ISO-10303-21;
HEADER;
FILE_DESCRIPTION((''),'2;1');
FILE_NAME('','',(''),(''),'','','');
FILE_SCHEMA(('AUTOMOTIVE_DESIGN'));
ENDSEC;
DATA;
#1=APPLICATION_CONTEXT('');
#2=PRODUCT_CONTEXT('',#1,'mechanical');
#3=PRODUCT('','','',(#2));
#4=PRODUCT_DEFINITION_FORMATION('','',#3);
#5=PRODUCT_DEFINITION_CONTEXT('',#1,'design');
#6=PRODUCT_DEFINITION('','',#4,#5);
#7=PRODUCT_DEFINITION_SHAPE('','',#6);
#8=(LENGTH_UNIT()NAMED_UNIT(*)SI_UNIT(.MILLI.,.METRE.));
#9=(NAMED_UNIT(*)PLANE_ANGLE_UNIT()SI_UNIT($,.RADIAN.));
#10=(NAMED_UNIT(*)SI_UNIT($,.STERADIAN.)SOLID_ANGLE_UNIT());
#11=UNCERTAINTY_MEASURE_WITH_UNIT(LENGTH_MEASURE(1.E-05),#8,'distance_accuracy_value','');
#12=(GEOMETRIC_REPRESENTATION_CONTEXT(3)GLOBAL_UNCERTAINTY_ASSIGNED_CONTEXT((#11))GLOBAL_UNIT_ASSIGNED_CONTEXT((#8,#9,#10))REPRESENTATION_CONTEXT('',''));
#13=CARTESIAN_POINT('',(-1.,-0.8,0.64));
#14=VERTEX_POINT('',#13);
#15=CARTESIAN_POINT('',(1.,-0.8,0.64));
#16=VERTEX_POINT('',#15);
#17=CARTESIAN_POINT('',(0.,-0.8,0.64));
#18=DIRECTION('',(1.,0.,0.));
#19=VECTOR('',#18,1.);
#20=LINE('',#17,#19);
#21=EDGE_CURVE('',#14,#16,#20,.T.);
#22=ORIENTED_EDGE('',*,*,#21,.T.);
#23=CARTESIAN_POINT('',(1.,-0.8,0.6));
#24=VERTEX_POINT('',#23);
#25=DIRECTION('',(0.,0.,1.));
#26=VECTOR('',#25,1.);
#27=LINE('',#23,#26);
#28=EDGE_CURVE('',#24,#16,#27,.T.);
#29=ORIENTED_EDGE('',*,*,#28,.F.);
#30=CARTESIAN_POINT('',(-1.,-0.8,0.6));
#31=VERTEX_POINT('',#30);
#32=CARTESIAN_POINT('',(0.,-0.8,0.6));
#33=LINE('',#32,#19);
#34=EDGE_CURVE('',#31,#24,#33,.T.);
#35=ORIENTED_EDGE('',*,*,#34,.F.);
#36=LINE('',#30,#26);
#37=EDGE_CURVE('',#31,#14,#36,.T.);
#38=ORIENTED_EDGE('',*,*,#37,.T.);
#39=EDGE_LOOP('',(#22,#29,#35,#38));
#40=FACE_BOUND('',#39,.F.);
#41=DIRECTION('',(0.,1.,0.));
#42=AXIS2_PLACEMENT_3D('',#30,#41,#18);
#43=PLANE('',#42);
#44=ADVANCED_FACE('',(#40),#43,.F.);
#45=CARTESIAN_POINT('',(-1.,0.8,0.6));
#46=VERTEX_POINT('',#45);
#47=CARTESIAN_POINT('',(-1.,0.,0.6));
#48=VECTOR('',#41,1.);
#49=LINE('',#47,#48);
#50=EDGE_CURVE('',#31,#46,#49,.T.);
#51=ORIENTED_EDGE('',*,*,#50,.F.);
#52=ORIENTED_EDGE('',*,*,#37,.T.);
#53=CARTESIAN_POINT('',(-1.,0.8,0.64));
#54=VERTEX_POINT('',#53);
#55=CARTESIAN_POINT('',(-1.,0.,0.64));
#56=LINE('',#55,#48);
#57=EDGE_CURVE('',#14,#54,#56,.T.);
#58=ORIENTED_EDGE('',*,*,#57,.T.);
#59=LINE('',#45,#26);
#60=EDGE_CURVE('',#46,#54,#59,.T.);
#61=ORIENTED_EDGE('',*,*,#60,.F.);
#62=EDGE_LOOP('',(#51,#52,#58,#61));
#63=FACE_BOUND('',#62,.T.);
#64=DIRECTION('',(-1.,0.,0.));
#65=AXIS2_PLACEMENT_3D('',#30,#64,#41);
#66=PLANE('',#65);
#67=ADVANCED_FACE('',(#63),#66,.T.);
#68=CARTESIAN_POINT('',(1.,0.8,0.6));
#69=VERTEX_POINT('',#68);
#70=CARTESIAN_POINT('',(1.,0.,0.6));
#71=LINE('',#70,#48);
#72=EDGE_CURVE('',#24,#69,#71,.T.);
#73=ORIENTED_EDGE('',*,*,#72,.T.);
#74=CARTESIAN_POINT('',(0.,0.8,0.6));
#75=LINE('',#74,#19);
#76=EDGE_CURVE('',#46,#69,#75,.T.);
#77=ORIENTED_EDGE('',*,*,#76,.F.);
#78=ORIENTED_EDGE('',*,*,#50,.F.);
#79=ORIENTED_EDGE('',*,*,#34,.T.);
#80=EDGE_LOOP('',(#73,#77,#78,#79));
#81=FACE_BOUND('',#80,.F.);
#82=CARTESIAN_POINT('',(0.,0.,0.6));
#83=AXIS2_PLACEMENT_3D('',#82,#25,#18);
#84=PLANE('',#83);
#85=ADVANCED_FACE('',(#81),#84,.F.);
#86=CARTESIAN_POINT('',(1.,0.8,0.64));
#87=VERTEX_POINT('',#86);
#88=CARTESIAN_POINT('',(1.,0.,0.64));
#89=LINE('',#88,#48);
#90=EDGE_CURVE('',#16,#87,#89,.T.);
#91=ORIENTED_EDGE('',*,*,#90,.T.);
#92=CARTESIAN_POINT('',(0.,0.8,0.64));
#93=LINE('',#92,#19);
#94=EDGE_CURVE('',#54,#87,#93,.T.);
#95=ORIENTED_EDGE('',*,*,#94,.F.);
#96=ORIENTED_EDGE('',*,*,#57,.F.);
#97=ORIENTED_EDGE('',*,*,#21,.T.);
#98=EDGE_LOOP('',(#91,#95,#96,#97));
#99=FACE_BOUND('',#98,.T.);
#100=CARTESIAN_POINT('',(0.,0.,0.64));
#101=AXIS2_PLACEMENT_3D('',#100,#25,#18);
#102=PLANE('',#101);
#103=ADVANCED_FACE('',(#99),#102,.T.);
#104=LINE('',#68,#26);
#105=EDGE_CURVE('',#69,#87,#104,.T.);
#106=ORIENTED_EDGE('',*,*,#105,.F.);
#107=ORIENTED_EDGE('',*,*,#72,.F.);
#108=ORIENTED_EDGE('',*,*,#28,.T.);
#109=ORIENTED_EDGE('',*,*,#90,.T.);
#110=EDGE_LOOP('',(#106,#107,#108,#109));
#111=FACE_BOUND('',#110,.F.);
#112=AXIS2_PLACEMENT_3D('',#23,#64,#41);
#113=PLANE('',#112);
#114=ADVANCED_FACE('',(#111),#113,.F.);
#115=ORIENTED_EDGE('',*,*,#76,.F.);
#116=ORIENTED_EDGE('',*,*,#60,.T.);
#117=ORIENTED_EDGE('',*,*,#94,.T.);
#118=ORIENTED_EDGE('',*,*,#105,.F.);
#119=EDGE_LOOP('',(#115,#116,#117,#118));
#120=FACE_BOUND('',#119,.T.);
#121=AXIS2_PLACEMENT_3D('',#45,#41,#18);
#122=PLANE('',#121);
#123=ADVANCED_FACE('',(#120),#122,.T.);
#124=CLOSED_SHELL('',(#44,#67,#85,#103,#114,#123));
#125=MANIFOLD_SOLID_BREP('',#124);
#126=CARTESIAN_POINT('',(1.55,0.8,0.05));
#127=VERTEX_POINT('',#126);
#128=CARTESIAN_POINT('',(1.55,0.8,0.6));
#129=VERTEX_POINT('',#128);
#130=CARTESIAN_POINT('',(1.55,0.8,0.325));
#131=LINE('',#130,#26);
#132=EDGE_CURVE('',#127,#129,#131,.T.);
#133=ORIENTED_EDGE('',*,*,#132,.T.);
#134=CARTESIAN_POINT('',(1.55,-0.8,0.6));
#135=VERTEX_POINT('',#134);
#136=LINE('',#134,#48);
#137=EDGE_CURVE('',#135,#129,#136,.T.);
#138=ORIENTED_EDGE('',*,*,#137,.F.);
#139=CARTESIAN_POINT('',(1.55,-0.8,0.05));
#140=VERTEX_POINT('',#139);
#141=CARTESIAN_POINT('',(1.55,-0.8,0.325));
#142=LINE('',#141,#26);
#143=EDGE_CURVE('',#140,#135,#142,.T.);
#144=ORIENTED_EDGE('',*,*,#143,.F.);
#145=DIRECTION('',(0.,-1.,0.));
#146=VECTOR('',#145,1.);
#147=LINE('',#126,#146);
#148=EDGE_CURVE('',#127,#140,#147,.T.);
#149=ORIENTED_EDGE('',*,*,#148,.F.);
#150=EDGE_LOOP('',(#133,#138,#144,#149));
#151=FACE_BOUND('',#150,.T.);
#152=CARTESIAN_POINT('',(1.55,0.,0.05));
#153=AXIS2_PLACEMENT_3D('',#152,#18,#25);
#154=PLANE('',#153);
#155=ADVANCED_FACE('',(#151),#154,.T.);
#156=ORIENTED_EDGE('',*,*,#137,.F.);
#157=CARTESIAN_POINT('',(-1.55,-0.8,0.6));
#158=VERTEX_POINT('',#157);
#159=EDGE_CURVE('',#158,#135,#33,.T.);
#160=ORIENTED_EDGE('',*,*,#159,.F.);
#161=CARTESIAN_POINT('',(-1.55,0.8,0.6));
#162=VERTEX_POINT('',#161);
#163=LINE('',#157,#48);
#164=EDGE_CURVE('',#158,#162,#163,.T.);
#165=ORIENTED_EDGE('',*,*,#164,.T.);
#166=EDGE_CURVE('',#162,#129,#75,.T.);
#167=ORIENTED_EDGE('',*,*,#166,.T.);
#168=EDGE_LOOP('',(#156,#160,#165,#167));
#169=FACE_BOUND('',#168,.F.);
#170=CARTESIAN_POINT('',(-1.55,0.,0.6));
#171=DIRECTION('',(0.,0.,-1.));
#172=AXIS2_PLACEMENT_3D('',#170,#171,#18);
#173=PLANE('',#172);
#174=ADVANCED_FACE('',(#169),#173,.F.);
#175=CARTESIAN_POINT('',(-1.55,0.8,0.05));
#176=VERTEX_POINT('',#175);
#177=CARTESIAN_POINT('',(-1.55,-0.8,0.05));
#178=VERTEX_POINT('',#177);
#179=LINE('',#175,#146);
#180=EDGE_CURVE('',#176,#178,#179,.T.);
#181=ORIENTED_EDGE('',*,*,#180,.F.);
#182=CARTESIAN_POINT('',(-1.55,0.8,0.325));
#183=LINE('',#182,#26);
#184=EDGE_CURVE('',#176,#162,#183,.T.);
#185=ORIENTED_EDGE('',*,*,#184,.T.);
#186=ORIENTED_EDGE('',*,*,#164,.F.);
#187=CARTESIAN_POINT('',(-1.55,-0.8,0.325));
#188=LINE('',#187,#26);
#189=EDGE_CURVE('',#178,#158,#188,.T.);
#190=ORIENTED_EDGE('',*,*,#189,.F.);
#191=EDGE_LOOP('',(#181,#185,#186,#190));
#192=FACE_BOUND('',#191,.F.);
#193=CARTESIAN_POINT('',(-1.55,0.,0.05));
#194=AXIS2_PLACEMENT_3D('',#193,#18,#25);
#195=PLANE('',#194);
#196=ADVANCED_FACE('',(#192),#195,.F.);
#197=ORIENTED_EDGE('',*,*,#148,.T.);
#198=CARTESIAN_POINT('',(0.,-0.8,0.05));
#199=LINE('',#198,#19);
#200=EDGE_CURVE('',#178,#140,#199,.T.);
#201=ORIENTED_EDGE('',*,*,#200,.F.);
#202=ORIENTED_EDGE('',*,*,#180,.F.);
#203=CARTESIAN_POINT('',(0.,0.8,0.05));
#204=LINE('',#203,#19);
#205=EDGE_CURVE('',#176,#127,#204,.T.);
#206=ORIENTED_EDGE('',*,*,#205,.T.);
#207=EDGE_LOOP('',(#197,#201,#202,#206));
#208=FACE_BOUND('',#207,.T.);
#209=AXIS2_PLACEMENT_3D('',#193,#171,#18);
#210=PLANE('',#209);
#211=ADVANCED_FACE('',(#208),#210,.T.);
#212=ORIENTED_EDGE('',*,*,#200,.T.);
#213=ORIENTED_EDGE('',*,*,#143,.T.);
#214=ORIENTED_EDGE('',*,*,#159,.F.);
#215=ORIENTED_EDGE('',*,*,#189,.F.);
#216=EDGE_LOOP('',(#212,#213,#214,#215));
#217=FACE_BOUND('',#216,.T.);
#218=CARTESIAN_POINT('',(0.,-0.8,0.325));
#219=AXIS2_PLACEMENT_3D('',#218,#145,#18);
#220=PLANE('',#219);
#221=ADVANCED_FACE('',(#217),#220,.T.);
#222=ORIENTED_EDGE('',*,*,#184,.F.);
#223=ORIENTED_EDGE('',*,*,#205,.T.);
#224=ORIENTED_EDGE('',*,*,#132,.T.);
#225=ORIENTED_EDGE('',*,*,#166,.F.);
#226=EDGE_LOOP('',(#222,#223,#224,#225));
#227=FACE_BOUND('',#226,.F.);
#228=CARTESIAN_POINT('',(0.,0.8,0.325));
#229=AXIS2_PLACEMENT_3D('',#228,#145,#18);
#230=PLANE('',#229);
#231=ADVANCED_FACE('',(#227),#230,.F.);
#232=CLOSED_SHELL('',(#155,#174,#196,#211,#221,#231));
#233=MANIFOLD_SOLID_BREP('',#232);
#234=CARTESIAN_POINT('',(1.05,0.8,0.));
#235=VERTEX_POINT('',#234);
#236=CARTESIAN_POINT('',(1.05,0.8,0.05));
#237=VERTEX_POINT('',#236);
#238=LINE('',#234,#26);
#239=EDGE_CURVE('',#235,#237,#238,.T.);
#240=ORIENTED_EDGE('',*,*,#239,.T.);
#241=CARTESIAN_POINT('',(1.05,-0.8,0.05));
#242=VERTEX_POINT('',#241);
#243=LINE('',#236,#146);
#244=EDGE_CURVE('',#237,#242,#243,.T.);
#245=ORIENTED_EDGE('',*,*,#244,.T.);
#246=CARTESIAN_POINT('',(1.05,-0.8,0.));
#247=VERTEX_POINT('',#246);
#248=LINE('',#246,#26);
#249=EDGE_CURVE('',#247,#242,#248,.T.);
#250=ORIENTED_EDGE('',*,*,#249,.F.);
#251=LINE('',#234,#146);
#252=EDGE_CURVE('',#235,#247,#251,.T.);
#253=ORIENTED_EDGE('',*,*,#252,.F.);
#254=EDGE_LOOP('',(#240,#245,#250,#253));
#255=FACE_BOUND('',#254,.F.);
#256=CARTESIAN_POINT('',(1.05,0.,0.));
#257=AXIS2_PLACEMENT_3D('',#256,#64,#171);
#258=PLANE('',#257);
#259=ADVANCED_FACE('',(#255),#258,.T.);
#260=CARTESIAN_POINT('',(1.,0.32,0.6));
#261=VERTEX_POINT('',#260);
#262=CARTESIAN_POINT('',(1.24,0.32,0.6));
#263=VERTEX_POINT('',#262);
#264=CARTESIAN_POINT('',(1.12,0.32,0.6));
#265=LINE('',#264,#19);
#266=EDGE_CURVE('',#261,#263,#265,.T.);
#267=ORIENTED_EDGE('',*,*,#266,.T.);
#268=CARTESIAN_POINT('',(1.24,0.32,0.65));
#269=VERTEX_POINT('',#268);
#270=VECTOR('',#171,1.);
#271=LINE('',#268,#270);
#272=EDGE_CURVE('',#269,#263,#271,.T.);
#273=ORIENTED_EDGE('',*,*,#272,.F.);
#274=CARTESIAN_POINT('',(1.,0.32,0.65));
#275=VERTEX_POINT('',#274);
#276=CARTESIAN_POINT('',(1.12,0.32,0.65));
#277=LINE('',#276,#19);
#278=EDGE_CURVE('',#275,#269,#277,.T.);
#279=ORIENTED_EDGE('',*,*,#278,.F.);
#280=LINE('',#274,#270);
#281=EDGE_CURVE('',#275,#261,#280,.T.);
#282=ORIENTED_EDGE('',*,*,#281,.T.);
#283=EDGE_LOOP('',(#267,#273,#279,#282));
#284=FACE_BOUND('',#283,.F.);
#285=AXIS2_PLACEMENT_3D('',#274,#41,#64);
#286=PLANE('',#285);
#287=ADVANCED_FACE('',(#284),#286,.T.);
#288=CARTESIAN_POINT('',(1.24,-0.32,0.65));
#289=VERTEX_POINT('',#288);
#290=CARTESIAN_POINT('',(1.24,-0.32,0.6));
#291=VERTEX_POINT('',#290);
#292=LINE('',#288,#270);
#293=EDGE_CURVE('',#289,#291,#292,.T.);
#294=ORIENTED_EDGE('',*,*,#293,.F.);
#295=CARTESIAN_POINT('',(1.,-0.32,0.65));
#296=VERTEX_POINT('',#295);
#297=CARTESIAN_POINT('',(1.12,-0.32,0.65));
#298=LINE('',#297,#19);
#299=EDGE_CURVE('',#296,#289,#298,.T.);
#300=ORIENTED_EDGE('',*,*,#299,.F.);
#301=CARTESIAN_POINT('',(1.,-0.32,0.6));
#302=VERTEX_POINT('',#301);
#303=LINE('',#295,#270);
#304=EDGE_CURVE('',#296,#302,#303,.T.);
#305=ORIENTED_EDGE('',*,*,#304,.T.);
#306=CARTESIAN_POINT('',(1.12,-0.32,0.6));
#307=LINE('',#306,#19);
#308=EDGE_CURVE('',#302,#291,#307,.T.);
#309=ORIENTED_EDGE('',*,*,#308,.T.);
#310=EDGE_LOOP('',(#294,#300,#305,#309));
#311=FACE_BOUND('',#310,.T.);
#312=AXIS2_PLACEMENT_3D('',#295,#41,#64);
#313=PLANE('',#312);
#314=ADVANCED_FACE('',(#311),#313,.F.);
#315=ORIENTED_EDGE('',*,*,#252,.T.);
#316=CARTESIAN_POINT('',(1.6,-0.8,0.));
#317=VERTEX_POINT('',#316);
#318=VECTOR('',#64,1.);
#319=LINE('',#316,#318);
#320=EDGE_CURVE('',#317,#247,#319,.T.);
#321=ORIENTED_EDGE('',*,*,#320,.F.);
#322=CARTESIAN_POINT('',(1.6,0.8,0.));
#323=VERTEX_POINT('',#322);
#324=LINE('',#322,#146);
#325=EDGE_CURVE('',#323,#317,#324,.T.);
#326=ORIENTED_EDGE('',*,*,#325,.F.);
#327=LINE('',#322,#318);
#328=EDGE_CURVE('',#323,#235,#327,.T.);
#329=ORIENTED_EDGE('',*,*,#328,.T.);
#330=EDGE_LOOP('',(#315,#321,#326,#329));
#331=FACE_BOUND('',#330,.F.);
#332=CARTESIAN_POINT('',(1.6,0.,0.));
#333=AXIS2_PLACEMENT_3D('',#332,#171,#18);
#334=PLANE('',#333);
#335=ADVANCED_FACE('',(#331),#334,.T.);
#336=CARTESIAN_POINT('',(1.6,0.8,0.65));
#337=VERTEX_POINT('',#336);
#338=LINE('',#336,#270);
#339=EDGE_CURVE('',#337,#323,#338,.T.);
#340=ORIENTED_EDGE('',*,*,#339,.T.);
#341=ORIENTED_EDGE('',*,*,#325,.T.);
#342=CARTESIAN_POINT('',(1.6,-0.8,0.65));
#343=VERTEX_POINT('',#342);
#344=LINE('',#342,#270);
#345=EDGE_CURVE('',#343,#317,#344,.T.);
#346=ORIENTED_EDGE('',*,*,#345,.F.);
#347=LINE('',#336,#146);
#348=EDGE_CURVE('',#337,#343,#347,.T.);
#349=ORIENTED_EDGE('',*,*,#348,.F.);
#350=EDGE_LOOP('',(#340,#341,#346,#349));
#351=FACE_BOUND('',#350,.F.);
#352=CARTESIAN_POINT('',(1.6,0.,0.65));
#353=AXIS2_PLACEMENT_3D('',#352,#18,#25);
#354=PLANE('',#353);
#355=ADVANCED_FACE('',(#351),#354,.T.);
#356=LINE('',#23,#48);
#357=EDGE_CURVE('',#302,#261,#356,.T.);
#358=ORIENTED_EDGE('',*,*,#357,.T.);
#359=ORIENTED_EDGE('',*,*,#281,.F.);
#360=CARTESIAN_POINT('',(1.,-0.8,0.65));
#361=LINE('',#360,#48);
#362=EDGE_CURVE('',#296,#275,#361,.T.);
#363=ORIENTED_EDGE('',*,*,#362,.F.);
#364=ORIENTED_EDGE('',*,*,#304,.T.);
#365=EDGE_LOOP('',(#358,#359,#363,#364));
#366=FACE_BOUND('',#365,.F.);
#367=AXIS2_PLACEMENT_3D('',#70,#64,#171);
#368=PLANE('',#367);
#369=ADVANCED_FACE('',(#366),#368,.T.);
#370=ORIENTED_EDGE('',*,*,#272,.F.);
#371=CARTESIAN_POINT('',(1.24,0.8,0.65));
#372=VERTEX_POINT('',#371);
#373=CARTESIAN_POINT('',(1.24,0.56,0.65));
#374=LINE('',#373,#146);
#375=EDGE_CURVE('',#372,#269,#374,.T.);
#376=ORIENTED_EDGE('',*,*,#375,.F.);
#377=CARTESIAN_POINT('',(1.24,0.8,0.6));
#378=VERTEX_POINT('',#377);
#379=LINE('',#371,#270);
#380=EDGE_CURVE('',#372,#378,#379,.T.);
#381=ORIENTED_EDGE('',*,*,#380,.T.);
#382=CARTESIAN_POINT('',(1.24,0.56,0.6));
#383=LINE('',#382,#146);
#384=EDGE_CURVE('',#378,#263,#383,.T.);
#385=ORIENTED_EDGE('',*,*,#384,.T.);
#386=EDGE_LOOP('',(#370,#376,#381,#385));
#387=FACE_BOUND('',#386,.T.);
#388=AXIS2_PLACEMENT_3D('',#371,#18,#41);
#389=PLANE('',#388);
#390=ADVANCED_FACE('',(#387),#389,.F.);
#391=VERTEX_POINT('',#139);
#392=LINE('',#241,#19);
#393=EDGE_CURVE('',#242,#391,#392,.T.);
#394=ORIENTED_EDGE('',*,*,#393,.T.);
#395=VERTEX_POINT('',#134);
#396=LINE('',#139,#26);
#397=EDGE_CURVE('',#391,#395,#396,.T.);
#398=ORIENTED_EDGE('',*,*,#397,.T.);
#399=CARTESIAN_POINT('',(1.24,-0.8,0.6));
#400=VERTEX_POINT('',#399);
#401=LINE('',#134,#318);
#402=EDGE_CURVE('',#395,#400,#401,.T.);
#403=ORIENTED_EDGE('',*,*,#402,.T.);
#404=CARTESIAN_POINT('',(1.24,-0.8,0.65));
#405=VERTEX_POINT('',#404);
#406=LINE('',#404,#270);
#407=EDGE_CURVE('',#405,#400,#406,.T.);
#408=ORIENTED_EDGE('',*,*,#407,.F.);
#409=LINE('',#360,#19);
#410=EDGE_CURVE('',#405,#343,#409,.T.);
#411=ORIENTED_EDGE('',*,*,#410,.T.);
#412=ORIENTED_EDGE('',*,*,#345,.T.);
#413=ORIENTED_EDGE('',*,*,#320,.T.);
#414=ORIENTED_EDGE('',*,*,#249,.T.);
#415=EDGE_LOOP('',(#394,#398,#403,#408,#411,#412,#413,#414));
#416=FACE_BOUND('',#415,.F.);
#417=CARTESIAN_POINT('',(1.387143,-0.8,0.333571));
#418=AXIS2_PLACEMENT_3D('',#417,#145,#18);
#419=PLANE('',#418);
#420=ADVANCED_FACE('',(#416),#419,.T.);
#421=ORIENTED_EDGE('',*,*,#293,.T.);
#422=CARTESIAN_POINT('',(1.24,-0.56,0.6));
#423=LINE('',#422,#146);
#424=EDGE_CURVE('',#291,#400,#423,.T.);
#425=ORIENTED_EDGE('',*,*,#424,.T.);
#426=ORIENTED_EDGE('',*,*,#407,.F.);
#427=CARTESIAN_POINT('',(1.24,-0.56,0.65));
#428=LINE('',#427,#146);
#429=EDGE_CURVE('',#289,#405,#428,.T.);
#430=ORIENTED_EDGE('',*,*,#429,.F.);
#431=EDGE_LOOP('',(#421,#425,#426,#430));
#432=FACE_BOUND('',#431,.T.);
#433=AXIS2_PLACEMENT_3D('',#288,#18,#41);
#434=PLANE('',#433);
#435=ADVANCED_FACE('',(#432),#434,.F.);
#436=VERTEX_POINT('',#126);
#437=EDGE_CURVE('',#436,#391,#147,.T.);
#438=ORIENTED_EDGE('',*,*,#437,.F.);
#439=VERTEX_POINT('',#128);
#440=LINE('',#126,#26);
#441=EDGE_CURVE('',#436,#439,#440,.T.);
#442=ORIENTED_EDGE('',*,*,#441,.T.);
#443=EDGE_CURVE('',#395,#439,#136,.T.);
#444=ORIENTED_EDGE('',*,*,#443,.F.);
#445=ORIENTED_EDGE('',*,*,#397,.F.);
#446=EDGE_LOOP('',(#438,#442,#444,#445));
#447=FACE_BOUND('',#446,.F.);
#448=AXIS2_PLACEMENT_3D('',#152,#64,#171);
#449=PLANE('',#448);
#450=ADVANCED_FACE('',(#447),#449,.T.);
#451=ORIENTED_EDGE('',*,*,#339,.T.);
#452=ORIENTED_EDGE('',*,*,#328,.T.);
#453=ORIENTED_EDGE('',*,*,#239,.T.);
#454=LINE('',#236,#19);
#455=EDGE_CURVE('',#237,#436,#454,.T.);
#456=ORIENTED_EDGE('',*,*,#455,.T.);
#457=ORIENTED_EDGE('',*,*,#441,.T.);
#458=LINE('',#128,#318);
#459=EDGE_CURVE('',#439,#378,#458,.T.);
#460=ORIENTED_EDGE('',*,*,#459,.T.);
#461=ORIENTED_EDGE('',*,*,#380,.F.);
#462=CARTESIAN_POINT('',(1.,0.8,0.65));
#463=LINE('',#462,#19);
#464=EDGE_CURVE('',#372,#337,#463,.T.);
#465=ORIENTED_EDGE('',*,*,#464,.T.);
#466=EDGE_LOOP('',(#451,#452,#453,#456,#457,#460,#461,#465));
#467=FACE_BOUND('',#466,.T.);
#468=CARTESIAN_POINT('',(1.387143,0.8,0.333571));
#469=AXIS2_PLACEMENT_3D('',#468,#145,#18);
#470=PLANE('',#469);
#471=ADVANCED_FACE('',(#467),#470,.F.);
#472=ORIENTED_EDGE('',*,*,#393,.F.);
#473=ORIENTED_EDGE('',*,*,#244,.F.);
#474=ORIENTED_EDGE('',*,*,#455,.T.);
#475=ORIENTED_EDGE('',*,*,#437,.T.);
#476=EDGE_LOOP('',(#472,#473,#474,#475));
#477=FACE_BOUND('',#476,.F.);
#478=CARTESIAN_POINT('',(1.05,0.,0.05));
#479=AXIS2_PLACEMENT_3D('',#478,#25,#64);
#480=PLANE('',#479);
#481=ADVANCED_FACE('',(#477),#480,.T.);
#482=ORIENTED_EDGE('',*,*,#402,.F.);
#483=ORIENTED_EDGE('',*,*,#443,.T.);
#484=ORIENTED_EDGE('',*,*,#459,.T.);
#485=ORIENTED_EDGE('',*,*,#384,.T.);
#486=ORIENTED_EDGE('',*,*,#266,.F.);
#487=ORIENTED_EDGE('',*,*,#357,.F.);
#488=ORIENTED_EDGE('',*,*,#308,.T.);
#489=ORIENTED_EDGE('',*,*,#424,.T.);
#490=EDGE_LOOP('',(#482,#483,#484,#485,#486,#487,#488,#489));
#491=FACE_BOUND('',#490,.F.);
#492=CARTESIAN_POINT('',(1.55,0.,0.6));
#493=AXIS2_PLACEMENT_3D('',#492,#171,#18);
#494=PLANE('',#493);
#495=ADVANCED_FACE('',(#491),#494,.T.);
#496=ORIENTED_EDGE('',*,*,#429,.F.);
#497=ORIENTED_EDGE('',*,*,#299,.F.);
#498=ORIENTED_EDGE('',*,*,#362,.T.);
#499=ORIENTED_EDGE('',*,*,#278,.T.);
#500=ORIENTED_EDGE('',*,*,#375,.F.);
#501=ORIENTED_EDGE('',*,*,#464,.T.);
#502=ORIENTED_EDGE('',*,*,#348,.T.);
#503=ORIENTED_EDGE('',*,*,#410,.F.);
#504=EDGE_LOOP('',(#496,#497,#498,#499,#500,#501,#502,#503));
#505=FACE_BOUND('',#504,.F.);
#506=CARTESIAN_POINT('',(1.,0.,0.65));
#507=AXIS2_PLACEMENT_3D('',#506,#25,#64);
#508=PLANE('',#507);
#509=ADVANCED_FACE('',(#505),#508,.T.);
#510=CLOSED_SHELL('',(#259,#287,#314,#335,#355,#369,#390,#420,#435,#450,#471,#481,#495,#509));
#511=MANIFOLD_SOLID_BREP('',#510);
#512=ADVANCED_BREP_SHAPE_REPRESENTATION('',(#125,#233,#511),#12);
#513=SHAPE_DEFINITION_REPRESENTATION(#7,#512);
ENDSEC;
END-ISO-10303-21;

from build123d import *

# Parameters (mm, degrees)
PAD_DEPTH    = 0.8
SKETCH001_W  = 0.24
SKETCH001_H  = 0.48
POCKET_DEPTH = 0.05
SKETCH002_W  = 3.1
SKETCH002_H  = 0.55
PAD001_DEPTH = 0.8
SKETCH003_W  = 2
SKETCH003_H  = 1.6
PAD002_DEPTH = 0.04


with BuildPart() as connection:
    # Sketch → Pad (new body, symmetric)
    with BuildSketch(Plane.XZ):
        Polygon((-1, 0.65), (-1.6, 0.65), (-1.6, 0), (-1.05, 0), (-1.05, 0.05), (-1.55, 0.05), (-1.55, 0.6), (-1, 0.6), align=None)
    extrude(amount=PAD_DEPTH, both=True)

    # Sketch001 (on Face1 of Pad) → Pocket (cut)
    with BuildSketch(Plane(origin=(0, 0, 0.65), x_dir=(-1, 0, 0), z_dir=(0, 0, 1))):
        with Locations((1.12, -0.56)):
            Rectangle(SKETCH001_W, SKETCH001_H)
        with Locations((1.12, 0.56)):
            Rectangle(SKETCH001_W, SKETCH001_H)
    extrude(amount=-POCKET_DEPTH, mode=Mode.SUBTRACT)


with BuildPart() as connection_mirrored:
    # mirror: instance of Connection
    add(connection.part.mirror(Plane(origin=(0, 0, 0), x_dir=(0, -1, 0), z_dir=(1, 0, 0))))


with BuildPart() as substrate:
    # Sketch002 → Pad001 (new body, symmetric)
    with BuildSketch(Plane.XZ):
        with Locations((0, 0.325)):
            Rectangle(SKETCH002_W, SKETCH002_H)
    extrude(amount=PAD001_DEPTH, both=True)


with BuildPart() as overcoat:
    # Sketch003 (on DatumPlane) → Pad002 (new body)
    with BuildSketch(Plane(origin=(-0.333333, 0.106667, 0.6), x_dir=(1, 0, 0), z_dir=(0, 0, 1))):
        with Locations((0.333333, -0.106667)):
            Rectangle(SKETCH003_W, SKETCH003_H)
    extrude(amount=PAD002_DEPTH)


solid = Compound([connection_mirrored.part, substrate.part, overcoat.part])
